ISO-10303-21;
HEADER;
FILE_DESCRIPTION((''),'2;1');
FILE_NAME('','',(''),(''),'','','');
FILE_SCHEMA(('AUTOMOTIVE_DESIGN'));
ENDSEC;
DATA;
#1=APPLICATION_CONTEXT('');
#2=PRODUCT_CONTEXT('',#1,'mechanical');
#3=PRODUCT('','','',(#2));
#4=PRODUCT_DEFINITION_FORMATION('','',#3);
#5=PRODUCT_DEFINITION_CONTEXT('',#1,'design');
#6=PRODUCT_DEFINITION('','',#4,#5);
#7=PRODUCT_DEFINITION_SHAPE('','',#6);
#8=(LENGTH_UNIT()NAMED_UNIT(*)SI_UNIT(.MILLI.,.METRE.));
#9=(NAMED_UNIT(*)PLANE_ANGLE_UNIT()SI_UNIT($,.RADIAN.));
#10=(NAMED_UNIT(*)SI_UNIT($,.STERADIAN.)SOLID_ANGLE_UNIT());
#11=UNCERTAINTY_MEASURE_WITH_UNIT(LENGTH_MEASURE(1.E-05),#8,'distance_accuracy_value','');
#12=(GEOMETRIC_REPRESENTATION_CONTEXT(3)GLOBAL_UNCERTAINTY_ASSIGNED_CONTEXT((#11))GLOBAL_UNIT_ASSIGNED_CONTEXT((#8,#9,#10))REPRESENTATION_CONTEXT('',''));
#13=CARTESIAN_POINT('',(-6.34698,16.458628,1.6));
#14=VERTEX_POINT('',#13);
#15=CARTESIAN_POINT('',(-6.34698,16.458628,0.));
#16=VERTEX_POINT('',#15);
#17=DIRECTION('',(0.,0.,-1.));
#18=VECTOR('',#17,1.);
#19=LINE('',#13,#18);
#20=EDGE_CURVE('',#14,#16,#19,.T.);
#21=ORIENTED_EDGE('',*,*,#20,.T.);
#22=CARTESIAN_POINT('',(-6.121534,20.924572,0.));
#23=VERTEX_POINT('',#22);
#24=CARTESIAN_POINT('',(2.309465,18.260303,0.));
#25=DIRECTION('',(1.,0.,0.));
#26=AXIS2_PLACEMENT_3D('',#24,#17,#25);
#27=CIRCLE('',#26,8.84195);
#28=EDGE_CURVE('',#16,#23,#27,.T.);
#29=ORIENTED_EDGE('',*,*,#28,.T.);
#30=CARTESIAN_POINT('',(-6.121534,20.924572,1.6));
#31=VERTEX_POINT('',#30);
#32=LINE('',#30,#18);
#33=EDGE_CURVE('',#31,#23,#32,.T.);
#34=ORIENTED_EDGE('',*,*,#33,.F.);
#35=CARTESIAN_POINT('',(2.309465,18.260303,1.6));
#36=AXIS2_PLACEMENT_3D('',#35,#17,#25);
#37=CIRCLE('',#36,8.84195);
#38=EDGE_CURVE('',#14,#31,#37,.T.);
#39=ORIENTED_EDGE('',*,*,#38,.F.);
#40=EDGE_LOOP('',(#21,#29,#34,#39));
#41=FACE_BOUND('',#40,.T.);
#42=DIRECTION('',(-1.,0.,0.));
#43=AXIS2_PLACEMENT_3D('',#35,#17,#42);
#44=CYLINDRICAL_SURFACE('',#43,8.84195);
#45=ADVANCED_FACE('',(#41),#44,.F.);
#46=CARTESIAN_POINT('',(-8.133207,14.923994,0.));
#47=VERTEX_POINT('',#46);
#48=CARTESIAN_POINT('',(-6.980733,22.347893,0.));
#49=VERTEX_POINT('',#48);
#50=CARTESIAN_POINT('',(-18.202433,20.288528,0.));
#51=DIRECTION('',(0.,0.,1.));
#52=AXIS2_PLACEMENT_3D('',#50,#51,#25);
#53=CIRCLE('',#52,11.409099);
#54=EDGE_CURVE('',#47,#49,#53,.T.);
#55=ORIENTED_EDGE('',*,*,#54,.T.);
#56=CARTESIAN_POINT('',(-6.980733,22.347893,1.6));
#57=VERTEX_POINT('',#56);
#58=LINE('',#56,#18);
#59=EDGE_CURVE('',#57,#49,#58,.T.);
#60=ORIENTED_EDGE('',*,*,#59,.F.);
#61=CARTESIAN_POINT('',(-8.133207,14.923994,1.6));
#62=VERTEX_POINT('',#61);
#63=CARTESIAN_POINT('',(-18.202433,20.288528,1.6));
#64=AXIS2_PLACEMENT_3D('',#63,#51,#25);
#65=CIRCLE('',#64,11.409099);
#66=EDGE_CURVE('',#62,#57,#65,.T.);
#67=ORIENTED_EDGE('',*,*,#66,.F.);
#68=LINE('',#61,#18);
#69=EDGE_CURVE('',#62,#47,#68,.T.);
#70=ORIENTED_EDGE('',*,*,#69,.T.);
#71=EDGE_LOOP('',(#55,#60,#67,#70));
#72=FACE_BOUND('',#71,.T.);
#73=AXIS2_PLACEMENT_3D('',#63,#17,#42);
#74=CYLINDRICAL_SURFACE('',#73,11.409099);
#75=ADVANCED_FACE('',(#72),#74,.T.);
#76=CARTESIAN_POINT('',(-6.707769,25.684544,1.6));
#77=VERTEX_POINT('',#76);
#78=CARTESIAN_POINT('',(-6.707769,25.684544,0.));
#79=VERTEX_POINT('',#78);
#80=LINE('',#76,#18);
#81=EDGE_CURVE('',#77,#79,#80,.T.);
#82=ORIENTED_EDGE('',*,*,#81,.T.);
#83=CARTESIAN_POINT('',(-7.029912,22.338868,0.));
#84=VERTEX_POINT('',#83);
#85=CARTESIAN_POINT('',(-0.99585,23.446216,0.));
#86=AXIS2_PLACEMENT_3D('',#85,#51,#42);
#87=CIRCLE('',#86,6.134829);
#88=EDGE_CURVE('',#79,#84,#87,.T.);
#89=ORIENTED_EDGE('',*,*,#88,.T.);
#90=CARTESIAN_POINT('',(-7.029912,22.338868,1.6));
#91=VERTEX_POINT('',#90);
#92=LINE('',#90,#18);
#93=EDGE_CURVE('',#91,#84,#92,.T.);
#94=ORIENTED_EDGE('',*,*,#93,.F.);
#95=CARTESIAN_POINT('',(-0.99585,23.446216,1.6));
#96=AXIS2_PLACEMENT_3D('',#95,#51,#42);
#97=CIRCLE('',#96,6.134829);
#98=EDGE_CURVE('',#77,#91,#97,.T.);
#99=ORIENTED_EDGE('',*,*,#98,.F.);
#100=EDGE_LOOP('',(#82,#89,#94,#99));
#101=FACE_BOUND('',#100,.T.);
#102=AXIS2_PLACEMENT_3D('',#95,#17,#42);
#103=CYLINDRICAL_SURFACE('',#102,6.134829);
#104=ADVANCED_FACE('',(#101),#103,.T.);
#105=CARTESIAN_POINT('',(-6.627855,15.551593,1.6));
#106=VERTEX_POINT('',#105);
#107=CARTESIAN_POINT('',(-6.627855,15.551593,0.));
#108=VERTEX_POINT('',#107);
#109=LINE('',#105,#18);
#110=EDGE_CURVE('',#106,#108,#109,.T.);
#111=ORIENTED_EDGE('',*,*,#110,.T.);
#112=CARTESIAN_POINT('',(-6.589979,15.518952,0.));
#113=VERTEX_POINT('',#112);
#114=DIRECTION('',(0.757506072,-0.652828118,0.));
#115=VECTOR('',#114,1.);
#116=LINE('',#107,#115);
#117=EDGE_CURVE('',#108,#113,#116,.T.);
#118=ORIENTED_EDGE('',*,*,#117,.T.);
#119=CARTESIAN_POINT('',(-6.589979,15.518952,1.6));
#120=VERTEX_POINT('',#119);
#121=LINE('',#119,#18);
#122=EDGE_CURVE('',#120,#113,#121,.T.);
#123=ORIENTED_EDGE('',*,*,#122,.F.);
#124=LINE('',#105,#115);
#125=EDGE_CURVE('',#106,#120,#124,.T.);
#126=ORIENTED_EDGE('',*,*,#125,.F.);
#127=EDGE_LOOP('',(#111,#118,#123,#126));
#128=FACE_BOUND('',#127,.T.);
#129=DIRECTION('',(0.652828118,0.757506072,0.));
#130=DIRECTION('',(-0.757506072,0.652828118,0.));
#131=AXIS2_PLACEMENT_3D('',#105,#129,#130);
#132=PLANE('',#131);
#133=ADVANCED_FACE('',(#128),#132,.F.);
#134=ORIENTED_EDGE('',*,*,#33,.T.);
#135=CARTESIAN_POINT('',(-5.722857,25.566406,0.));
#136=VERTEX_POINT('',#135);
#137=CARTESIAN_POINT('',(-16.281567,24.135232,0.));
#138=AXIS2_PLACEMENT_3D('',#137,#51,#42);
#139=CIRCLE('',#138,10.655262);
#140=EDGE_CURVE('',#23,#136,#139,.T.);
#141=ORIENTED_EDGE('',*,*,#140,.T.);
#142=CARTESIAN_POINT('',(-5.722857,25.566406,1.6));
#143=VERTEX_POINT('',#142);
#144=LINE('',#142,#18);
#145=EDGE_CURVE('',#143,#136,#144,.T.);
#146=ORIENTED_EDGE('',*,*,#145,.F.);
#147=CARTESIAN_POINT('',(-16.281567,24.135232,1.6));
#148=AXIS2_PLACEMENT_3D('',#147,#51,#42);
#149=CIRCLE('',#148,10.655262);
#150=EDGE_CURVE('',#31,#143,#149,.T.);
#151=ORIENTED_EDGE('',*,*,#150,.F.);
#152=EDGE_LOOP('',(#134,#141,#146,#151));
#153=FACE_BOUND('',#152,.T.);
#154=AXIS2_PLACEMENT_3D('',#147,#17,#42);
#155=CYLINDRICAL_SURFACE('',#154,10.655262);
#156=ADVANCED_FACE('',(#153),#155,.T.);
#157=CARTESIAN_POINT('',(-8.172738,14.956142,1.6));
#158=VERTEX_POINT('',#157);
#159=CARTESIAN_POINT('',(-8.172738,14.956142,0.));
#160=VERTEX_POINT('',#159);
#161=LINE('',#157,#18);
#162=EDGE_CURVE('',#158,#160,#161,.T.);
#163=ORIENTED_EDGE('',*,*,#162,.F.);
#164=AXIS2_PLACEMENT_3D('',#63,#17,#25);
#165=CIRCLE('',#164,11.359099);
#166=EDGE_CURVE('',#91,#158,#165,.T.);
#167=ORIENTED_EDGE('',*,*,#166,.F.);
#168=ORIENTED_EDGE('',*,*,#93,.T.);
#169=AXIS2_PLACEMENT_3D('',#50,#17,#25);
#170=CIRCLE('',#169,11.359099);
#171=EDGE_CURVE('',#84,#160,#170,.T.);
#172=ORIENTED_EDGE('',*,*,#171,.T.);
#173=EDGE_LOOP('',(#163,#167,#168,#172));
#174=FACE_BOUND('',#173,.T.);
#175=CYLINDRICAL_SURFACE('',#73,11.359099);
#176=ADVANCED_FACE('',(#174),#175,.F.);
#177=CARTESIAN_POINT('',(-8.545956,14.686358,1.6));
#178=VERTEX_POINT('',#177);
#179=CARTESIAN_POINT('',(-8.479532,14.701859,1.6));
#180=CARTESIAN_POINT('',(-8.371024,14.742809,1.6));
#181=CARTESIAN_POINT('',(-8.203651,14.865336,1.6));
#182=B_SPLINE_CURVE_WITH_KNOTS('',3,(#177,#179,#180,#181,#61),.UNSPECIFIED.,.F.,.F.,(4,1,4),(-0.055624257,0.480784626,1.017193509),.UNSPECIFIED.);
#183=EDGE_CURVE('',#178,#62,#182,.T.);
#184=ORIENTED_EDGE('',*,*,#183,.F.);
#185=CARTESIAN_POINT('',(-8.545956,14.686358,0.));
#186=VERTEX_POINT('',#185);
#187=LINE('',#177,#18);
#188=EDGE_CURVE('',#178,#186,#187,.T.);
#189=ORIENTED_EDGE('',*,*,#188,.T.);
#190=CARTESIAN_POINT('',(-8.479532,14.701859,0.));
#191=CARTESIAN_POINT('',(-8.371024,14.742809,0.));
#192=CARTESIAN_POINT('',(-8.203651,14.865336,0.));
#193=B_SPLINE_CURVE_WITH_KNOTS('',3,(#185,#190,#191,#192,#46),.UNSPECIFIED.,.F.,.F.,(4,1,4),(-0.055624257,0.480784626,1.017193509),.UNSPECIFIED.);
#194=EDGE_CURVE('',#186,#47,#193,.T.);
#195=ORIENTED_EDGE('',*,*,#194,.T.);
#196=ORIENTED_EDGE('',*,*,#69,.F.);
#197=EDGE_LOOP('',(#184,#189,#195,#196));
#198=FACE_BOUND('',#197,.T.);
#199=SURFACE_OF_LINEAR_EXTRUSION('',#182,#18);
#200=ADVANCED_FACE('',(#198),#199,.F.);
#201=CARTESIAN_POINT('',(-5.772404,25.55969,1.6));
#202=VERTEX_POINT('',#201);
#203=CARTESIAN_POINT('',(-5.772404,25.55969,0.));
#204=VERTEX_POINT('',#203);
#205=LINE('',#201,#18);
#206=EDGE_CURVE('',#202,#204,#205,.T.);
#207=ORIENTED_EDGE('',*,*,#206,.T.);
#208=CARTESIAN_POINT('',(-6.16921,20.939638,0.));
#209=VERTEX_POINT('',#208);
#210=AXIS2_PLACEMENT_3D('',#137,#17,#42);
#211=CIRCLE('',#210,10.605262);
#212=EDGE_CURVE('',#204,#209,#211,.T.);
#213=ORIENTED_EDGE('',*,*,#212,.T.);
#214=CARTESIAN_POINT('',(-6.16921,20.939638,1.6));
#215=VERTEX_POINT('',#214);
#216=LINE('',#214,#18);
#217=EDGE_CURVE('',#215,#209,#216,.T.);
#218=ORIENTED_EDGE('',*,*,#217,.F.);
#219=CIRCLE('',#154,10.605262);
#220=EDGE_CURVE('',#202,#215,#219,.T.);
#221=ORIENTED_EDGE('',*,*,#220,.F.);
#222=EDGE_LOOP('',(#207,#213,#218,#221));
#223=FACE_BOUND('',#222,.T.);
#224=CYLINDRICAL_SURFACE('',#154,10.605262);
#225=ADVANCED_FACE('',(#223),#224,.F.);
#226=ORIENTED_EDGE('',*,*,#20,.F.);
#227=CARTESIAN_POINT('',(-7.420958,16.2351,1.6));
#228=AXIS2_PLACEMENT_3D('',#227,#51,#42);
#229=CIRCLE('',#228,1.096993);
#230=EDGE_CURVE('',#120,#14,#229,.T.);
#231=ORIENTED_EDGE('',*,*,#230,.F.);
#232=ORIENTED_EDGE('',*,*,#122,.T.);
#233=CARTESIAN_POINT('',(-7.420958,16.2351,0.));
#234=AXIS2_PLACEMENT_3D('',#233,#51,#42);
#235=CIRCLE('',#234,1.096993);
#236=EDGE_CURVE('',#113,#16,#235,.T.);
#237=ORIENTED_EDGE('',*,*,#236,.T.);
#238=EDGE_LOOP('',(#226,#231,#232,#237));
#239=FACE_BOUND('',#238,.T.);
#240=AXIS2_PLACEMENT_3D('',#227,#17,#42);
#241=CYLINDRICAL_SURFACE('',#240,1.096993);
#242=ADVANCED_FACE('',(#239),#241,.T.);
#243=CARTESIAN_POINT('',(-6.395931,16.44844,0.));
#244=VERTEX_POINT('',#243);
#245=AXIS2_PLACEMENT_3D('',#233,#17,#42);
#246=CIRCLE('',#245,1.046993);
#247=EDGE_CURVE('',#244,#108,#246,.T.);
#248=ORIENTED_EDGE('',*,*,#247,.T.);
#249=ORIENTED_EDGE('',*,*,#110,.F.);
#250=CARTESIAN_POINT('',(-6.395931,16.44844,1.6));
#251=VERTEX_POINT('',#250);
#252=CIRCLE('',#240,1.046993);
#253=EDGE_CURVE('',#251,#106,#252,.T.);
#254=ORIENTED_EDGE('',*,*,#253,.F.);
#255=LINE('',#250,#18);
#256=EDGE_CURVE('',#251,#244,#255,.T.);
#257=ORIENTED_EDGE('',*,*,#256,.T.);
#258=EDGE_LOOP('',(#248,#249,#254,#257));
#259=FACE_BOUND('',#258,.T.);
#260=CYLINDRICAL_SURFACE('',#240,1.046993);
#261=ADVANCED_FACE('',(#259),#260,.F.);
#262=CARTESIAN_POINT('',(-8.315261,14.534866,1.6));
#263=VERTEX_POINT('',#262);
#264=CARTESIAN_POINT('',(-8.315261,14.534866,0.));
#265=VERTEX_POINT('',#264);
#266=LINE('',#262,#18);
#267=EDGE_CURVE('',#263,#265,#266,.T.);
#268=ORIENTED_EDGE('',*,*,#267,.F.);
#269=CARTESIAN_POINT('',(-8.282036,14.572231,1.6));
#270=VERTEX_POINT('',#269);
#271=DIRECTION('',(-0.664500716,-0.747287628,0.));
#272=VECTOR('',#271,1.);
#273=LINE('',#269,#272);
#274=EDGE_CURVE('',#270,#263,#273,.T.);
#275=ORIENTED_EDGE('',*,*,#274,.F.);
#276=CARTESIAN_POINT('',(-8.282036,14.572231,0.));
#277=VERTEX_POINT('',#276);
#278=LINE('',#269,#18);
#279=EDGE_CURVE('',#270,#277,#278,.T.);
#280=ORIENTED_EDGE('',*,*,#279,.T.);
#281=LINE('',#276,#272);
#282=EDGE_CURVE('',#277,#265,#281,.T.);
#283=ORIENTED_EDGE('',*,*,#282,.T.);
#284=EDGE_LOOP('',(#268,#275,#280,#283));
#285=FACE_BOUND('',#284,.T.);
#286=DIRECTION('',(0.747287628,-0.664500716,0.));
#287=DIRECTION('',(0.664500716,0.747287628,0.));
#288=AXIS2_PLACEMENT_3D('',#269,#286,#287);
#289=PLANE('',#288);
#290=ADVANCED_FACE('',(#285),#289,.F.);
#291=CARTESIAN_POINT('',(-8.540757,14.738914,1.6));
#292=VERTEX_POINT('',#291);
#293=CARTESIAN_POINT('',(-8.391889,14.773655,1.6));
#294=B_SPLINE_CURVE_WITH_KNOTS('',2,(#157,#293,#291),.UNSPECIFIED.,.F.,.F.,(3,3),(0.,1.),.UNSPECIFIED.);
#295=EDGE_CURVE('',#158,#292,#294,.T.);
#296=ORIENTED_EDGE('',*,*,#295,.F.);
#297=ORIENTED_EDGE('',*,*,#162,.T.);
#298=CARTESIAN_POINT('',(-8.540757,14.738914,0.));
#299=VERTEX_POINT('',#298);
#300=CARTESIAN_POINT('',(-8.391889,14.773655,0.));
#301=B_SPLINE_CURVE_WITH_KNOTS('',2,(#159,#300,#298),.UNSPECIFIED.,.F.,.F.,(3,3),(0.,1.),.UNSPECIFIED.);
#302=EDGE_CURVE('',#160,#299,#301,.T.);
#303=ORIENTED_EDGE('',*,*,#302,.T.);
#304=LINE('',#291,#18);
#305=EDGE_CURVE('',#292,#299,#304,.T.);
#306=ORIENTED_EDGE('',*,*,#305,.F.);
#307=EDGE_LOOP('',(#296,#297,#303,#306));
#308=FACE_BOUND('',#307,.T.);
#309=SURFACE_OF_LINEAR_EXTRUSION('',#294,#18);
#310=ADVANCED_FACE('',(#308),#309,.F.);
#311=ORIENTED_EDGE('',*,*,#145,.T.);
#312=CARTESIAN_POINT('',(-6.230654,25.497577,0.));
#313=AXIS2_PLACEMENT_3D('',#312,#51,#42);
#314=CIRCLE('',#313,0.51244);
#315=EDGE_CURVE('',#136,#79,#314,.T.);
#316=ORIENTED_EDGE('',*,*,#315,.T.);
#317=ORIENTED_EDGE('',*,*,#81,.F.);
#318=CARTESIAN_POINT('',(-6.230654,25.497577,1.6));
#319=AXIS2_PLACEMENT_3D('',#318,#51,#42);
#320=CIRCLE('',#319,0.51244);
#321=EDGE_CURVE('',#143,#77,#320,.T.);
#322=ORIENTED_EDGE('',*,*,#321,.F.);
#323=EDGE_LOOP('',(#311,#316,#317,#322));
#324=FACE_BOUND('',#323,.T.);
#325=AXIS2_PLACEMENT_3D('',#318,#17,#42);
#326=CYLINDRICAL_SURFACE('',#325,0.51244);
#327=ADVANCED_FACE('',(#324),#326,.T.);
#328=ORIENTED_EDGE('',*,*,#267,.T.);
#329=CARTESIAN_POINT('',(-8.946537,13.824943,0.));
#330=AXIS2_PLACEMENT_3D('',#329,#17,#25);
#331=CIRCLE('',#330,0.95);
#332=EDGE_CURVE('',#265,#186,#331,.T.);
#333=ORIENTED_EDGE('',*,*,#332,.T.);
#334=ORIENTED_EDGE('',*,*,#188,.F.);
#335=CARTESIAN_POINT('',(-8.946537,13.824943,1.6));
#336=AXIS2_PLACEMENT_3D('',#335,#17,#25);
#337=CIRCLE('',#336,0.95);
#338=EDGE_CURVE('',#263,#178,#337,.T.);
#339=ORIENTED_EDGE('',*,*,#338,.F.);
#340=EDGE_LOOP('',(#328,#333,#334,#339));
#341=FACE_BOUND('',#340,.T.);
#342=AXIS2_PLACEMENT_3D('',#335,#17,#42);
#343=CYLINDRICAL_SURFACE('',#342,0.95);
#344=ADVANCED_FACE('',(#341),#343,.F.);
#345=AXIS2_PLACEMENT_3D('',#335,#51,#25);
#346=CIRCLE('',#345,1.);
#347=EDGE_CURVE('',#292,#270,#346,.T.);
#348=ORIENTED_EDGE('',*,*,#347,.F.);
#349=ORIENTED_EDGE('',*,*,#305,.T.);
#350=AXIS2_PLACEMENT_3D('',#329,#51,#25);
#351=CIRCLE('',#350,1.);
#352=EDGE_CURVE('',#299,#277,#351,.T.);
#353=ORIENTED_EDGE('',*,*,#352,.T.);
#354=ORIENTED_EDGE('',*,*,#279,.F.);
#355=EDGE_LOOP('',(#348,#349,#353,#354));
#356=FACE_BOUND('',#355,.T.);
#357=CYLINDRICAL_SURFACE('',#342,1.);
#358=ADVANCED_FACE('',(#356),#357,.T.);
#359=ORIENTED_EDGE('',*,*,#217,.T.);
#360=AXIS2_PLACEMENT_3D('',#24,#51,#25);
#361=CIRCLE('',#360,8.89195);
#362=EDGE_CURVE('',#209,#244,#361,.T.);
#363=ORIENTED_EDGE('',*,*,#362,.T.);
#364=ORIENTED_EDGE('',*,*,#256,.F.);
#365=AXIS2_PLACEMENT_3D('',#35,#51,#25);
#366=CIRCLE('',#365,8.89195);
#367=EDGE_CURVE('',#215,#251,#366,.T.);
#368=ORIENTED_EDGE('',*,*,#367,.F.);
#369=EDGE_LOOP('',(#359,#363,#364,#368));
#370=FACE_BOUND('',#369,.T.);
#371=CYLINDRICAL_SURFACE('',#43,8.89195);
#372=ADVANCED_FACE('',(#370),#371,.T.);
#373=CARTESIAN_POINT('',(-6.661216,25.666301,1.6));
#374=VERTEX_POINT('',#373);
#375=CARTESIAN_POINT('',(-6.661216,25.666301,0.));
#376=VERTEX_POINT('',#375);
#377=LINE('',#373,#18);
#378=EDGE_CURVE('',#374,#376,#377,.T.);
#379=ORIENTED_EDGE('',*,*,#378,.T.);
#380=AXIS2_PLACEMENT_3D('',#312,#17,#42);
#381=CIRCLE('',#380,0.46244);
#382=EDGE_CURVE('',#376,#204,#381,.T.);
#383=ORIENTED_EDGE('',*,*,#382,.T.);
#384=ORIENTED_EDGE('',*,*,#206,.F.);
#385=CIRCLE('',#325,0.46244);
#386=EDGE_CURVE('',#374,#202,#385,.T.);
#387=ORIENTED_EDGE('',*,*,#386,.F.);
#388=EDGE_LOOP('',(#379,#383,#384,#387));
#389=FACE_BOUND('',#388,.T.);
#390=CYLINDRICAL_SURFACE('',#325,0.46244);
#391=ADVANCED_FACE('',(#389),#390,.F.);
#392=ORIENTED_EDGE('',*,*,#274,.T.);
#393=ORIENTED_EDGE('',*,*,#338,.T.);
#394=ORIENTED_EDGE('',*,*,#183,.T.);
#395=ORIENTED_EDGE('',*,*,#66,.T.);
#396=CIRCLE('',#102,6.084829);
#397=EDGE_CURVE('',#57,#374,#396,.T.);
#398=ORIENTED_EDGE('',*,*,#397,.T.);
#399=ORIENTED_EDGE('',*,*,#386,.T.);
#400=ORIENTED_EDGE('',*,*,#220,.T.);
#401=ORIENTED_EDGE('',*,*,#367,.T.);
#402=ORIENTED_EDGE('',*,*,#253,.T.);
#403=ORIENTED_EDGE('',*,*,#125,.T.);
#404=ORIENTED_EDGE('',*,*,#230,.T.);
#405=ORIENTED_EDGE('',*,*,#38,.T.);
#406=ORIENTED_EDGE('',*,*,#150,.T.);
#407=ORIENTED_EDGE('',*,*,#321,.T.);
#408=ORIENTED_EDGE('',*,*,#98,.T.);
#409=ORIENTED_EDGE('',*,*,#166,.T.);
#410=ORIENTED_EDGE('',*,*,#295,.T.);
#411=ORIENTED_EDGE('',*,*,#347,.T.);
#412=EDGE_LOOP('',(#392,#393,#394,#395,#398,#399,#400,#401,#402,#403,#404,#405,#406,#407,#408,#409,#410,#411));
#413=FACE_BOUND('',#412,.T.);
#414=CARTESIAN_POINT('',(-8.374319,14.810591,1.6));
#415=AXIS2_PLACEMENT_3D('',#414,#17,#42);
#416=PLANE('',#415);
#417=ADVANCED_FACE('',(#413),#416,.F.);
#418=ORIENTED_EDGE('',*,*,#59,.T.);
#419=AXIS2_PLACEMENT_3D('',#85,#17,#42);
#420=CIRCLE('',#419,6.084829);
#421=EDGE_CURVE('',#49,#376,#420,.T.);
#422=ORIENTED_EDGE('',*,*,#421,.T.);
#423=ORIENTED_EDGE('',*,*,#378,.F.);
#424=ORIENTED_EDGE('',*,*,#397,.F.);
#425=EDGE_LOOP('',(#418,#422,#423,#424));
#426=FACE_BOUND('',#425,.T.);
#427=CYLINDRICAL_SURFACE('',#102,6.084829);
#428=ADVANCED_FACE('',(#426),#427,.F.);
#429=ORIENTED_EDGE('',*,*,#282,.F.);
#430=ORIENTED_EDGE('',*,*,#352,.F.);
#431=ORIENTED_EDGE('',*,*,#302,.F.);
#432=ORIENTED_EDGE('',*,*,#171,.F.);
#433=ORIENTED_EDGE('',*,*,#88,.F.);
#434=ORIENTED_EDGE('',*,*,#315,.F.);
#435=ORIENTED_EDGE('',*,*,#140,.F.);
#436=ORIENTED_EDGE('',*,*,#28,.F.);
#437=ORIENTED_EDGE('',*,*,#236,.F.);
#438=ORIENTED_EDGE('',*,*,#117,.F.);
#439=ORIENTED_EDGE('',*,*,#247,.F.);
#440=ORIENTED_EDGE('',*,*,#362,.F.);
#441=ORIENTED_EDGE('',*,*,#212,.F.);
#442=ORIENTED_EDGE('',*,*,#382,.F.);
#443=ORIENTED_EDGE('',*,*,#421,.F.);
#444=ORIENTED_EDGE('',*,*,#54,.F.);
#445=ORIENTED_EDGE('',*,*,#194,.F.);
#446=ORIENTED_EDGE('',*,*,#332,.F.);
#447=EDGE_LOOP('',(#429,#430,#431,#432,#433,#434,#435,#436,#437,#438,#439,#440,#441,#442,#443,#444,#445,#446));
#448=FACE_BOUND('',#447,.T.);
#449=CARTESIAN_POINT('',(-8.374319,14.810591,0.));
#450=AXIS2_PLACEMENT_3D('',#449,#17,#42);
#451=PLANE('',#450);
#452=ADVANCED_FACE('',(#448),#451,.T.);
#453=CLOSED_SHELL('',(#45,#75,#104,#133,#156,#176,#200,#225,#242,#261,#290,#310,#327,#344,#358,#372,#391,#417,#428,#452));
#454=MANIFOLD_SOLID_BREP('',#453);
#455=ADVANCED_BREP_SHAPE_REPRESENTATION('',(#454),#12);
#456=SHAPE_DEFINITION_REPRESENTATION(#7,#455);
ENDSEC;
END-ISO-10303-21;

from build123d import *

# Parameters (mm, degrees)
BOSS_EXTRUDE1_DEPTH = 1.6


with BuildPart() as part:
    # Sketch1 → Boss-Extrude1 (new body)
    with BuildSketch(Plane.XY):
        with BuildLine():
            Line((-8.282035958, 14.5722307), (-8.315260994, 14.534866319))
            ThreePointArc((-8.315260994, 14.534866319), (-9.467995528, 13.03085198), (-8.545955906, 14.686357635))
            add(Edge.make_bspline(
                [(-8.545955906, 14.686357635), (-8.479532127, 14.701858549), (-8.371024457, 14.742808946), (-8.203650811, 14.865336036), (-8.133207425, 14.923994424)],
                knots=[-0.055624257, -0.055624257, -0.055624257, -0.055624257, 0.480784626, 1.017193509, 1.017193509, 1.017193509, 1.017193509], degree=3))
            ThreePointArc((-8.133207425, 14.923994424), (-6.928372384, 18.538361158), (-6.980733207, 22.347892982))
            ThreePointArc((-6.980733207, 22.347892982), (-7.052666963, 24.029405703), (-6.661215609, 25.666300731))
            ThreePointArc((-6.661215609, 25.666300731), (-6.175580367, 25.956725815), (-5.772404361, 25.559690017))
            ThreePointArc((-5.772404361, 25.559690017), (-5.715205895, 23.227711177), (-6.169210056, 20.939638365))
            ThreePointArc((-6.169210056, 20.939638365), (-6.571176452, 18.70860829), (-6.395931227, 16.44843987))
            ThreePointArc((-6.395931227, 16.44843987), (-6.407309869, 15.972971601), (-6.627854712, 15.551593481))
            Line((-6.627854712, 15.551593481), (-6.589979408, 15.518952075))
            ThreePointArc((-6.589979408, 15.518952075), (-6.358902268, 15.960453449), (-6.34698023, 16.45862809))
            ThreePointArc((-6.34698023, 16.45862809), (-6.521240039, 18.706087439), (-6.121533926, 20.924572289))
            ThreePointArc((-6.121533926, 20.924572289), (-5.665389298, 23.223432543), (-5.722857434, 25.566405826))
            ThreePointArc((-5.722857434, 25.566405826), (-6.169625674, 26.006369965), (-6.707768814, 25.684543513))
            ThreePointArc((-6.707768814, 25.684543513), (-7.102436785, 24.034197861), (-7.029911938, 22.338867885))
            ThreePointArc((-7.029911938, 22.338867885), (-6.977031108, 18.550865988), (-8.172738286, 14.956142202))
            add(Edge.make_bspline(
                [(-8.540757431, 14.738914192), (-8.391889217, 14.773654662), (-8.172738286, 14.956142202)],
                knots=[0, 0, 0, 1, 1, 1], degree=2))
            ThreePointArc((-8.540757431, 14.738914192), (-9.488127519, 12.984300844), (-8.282035958, 14.5722307))
        make_face()
    extrude(amount=BOSS_EXTRUDE1_DEPTH)


solid = part.part
